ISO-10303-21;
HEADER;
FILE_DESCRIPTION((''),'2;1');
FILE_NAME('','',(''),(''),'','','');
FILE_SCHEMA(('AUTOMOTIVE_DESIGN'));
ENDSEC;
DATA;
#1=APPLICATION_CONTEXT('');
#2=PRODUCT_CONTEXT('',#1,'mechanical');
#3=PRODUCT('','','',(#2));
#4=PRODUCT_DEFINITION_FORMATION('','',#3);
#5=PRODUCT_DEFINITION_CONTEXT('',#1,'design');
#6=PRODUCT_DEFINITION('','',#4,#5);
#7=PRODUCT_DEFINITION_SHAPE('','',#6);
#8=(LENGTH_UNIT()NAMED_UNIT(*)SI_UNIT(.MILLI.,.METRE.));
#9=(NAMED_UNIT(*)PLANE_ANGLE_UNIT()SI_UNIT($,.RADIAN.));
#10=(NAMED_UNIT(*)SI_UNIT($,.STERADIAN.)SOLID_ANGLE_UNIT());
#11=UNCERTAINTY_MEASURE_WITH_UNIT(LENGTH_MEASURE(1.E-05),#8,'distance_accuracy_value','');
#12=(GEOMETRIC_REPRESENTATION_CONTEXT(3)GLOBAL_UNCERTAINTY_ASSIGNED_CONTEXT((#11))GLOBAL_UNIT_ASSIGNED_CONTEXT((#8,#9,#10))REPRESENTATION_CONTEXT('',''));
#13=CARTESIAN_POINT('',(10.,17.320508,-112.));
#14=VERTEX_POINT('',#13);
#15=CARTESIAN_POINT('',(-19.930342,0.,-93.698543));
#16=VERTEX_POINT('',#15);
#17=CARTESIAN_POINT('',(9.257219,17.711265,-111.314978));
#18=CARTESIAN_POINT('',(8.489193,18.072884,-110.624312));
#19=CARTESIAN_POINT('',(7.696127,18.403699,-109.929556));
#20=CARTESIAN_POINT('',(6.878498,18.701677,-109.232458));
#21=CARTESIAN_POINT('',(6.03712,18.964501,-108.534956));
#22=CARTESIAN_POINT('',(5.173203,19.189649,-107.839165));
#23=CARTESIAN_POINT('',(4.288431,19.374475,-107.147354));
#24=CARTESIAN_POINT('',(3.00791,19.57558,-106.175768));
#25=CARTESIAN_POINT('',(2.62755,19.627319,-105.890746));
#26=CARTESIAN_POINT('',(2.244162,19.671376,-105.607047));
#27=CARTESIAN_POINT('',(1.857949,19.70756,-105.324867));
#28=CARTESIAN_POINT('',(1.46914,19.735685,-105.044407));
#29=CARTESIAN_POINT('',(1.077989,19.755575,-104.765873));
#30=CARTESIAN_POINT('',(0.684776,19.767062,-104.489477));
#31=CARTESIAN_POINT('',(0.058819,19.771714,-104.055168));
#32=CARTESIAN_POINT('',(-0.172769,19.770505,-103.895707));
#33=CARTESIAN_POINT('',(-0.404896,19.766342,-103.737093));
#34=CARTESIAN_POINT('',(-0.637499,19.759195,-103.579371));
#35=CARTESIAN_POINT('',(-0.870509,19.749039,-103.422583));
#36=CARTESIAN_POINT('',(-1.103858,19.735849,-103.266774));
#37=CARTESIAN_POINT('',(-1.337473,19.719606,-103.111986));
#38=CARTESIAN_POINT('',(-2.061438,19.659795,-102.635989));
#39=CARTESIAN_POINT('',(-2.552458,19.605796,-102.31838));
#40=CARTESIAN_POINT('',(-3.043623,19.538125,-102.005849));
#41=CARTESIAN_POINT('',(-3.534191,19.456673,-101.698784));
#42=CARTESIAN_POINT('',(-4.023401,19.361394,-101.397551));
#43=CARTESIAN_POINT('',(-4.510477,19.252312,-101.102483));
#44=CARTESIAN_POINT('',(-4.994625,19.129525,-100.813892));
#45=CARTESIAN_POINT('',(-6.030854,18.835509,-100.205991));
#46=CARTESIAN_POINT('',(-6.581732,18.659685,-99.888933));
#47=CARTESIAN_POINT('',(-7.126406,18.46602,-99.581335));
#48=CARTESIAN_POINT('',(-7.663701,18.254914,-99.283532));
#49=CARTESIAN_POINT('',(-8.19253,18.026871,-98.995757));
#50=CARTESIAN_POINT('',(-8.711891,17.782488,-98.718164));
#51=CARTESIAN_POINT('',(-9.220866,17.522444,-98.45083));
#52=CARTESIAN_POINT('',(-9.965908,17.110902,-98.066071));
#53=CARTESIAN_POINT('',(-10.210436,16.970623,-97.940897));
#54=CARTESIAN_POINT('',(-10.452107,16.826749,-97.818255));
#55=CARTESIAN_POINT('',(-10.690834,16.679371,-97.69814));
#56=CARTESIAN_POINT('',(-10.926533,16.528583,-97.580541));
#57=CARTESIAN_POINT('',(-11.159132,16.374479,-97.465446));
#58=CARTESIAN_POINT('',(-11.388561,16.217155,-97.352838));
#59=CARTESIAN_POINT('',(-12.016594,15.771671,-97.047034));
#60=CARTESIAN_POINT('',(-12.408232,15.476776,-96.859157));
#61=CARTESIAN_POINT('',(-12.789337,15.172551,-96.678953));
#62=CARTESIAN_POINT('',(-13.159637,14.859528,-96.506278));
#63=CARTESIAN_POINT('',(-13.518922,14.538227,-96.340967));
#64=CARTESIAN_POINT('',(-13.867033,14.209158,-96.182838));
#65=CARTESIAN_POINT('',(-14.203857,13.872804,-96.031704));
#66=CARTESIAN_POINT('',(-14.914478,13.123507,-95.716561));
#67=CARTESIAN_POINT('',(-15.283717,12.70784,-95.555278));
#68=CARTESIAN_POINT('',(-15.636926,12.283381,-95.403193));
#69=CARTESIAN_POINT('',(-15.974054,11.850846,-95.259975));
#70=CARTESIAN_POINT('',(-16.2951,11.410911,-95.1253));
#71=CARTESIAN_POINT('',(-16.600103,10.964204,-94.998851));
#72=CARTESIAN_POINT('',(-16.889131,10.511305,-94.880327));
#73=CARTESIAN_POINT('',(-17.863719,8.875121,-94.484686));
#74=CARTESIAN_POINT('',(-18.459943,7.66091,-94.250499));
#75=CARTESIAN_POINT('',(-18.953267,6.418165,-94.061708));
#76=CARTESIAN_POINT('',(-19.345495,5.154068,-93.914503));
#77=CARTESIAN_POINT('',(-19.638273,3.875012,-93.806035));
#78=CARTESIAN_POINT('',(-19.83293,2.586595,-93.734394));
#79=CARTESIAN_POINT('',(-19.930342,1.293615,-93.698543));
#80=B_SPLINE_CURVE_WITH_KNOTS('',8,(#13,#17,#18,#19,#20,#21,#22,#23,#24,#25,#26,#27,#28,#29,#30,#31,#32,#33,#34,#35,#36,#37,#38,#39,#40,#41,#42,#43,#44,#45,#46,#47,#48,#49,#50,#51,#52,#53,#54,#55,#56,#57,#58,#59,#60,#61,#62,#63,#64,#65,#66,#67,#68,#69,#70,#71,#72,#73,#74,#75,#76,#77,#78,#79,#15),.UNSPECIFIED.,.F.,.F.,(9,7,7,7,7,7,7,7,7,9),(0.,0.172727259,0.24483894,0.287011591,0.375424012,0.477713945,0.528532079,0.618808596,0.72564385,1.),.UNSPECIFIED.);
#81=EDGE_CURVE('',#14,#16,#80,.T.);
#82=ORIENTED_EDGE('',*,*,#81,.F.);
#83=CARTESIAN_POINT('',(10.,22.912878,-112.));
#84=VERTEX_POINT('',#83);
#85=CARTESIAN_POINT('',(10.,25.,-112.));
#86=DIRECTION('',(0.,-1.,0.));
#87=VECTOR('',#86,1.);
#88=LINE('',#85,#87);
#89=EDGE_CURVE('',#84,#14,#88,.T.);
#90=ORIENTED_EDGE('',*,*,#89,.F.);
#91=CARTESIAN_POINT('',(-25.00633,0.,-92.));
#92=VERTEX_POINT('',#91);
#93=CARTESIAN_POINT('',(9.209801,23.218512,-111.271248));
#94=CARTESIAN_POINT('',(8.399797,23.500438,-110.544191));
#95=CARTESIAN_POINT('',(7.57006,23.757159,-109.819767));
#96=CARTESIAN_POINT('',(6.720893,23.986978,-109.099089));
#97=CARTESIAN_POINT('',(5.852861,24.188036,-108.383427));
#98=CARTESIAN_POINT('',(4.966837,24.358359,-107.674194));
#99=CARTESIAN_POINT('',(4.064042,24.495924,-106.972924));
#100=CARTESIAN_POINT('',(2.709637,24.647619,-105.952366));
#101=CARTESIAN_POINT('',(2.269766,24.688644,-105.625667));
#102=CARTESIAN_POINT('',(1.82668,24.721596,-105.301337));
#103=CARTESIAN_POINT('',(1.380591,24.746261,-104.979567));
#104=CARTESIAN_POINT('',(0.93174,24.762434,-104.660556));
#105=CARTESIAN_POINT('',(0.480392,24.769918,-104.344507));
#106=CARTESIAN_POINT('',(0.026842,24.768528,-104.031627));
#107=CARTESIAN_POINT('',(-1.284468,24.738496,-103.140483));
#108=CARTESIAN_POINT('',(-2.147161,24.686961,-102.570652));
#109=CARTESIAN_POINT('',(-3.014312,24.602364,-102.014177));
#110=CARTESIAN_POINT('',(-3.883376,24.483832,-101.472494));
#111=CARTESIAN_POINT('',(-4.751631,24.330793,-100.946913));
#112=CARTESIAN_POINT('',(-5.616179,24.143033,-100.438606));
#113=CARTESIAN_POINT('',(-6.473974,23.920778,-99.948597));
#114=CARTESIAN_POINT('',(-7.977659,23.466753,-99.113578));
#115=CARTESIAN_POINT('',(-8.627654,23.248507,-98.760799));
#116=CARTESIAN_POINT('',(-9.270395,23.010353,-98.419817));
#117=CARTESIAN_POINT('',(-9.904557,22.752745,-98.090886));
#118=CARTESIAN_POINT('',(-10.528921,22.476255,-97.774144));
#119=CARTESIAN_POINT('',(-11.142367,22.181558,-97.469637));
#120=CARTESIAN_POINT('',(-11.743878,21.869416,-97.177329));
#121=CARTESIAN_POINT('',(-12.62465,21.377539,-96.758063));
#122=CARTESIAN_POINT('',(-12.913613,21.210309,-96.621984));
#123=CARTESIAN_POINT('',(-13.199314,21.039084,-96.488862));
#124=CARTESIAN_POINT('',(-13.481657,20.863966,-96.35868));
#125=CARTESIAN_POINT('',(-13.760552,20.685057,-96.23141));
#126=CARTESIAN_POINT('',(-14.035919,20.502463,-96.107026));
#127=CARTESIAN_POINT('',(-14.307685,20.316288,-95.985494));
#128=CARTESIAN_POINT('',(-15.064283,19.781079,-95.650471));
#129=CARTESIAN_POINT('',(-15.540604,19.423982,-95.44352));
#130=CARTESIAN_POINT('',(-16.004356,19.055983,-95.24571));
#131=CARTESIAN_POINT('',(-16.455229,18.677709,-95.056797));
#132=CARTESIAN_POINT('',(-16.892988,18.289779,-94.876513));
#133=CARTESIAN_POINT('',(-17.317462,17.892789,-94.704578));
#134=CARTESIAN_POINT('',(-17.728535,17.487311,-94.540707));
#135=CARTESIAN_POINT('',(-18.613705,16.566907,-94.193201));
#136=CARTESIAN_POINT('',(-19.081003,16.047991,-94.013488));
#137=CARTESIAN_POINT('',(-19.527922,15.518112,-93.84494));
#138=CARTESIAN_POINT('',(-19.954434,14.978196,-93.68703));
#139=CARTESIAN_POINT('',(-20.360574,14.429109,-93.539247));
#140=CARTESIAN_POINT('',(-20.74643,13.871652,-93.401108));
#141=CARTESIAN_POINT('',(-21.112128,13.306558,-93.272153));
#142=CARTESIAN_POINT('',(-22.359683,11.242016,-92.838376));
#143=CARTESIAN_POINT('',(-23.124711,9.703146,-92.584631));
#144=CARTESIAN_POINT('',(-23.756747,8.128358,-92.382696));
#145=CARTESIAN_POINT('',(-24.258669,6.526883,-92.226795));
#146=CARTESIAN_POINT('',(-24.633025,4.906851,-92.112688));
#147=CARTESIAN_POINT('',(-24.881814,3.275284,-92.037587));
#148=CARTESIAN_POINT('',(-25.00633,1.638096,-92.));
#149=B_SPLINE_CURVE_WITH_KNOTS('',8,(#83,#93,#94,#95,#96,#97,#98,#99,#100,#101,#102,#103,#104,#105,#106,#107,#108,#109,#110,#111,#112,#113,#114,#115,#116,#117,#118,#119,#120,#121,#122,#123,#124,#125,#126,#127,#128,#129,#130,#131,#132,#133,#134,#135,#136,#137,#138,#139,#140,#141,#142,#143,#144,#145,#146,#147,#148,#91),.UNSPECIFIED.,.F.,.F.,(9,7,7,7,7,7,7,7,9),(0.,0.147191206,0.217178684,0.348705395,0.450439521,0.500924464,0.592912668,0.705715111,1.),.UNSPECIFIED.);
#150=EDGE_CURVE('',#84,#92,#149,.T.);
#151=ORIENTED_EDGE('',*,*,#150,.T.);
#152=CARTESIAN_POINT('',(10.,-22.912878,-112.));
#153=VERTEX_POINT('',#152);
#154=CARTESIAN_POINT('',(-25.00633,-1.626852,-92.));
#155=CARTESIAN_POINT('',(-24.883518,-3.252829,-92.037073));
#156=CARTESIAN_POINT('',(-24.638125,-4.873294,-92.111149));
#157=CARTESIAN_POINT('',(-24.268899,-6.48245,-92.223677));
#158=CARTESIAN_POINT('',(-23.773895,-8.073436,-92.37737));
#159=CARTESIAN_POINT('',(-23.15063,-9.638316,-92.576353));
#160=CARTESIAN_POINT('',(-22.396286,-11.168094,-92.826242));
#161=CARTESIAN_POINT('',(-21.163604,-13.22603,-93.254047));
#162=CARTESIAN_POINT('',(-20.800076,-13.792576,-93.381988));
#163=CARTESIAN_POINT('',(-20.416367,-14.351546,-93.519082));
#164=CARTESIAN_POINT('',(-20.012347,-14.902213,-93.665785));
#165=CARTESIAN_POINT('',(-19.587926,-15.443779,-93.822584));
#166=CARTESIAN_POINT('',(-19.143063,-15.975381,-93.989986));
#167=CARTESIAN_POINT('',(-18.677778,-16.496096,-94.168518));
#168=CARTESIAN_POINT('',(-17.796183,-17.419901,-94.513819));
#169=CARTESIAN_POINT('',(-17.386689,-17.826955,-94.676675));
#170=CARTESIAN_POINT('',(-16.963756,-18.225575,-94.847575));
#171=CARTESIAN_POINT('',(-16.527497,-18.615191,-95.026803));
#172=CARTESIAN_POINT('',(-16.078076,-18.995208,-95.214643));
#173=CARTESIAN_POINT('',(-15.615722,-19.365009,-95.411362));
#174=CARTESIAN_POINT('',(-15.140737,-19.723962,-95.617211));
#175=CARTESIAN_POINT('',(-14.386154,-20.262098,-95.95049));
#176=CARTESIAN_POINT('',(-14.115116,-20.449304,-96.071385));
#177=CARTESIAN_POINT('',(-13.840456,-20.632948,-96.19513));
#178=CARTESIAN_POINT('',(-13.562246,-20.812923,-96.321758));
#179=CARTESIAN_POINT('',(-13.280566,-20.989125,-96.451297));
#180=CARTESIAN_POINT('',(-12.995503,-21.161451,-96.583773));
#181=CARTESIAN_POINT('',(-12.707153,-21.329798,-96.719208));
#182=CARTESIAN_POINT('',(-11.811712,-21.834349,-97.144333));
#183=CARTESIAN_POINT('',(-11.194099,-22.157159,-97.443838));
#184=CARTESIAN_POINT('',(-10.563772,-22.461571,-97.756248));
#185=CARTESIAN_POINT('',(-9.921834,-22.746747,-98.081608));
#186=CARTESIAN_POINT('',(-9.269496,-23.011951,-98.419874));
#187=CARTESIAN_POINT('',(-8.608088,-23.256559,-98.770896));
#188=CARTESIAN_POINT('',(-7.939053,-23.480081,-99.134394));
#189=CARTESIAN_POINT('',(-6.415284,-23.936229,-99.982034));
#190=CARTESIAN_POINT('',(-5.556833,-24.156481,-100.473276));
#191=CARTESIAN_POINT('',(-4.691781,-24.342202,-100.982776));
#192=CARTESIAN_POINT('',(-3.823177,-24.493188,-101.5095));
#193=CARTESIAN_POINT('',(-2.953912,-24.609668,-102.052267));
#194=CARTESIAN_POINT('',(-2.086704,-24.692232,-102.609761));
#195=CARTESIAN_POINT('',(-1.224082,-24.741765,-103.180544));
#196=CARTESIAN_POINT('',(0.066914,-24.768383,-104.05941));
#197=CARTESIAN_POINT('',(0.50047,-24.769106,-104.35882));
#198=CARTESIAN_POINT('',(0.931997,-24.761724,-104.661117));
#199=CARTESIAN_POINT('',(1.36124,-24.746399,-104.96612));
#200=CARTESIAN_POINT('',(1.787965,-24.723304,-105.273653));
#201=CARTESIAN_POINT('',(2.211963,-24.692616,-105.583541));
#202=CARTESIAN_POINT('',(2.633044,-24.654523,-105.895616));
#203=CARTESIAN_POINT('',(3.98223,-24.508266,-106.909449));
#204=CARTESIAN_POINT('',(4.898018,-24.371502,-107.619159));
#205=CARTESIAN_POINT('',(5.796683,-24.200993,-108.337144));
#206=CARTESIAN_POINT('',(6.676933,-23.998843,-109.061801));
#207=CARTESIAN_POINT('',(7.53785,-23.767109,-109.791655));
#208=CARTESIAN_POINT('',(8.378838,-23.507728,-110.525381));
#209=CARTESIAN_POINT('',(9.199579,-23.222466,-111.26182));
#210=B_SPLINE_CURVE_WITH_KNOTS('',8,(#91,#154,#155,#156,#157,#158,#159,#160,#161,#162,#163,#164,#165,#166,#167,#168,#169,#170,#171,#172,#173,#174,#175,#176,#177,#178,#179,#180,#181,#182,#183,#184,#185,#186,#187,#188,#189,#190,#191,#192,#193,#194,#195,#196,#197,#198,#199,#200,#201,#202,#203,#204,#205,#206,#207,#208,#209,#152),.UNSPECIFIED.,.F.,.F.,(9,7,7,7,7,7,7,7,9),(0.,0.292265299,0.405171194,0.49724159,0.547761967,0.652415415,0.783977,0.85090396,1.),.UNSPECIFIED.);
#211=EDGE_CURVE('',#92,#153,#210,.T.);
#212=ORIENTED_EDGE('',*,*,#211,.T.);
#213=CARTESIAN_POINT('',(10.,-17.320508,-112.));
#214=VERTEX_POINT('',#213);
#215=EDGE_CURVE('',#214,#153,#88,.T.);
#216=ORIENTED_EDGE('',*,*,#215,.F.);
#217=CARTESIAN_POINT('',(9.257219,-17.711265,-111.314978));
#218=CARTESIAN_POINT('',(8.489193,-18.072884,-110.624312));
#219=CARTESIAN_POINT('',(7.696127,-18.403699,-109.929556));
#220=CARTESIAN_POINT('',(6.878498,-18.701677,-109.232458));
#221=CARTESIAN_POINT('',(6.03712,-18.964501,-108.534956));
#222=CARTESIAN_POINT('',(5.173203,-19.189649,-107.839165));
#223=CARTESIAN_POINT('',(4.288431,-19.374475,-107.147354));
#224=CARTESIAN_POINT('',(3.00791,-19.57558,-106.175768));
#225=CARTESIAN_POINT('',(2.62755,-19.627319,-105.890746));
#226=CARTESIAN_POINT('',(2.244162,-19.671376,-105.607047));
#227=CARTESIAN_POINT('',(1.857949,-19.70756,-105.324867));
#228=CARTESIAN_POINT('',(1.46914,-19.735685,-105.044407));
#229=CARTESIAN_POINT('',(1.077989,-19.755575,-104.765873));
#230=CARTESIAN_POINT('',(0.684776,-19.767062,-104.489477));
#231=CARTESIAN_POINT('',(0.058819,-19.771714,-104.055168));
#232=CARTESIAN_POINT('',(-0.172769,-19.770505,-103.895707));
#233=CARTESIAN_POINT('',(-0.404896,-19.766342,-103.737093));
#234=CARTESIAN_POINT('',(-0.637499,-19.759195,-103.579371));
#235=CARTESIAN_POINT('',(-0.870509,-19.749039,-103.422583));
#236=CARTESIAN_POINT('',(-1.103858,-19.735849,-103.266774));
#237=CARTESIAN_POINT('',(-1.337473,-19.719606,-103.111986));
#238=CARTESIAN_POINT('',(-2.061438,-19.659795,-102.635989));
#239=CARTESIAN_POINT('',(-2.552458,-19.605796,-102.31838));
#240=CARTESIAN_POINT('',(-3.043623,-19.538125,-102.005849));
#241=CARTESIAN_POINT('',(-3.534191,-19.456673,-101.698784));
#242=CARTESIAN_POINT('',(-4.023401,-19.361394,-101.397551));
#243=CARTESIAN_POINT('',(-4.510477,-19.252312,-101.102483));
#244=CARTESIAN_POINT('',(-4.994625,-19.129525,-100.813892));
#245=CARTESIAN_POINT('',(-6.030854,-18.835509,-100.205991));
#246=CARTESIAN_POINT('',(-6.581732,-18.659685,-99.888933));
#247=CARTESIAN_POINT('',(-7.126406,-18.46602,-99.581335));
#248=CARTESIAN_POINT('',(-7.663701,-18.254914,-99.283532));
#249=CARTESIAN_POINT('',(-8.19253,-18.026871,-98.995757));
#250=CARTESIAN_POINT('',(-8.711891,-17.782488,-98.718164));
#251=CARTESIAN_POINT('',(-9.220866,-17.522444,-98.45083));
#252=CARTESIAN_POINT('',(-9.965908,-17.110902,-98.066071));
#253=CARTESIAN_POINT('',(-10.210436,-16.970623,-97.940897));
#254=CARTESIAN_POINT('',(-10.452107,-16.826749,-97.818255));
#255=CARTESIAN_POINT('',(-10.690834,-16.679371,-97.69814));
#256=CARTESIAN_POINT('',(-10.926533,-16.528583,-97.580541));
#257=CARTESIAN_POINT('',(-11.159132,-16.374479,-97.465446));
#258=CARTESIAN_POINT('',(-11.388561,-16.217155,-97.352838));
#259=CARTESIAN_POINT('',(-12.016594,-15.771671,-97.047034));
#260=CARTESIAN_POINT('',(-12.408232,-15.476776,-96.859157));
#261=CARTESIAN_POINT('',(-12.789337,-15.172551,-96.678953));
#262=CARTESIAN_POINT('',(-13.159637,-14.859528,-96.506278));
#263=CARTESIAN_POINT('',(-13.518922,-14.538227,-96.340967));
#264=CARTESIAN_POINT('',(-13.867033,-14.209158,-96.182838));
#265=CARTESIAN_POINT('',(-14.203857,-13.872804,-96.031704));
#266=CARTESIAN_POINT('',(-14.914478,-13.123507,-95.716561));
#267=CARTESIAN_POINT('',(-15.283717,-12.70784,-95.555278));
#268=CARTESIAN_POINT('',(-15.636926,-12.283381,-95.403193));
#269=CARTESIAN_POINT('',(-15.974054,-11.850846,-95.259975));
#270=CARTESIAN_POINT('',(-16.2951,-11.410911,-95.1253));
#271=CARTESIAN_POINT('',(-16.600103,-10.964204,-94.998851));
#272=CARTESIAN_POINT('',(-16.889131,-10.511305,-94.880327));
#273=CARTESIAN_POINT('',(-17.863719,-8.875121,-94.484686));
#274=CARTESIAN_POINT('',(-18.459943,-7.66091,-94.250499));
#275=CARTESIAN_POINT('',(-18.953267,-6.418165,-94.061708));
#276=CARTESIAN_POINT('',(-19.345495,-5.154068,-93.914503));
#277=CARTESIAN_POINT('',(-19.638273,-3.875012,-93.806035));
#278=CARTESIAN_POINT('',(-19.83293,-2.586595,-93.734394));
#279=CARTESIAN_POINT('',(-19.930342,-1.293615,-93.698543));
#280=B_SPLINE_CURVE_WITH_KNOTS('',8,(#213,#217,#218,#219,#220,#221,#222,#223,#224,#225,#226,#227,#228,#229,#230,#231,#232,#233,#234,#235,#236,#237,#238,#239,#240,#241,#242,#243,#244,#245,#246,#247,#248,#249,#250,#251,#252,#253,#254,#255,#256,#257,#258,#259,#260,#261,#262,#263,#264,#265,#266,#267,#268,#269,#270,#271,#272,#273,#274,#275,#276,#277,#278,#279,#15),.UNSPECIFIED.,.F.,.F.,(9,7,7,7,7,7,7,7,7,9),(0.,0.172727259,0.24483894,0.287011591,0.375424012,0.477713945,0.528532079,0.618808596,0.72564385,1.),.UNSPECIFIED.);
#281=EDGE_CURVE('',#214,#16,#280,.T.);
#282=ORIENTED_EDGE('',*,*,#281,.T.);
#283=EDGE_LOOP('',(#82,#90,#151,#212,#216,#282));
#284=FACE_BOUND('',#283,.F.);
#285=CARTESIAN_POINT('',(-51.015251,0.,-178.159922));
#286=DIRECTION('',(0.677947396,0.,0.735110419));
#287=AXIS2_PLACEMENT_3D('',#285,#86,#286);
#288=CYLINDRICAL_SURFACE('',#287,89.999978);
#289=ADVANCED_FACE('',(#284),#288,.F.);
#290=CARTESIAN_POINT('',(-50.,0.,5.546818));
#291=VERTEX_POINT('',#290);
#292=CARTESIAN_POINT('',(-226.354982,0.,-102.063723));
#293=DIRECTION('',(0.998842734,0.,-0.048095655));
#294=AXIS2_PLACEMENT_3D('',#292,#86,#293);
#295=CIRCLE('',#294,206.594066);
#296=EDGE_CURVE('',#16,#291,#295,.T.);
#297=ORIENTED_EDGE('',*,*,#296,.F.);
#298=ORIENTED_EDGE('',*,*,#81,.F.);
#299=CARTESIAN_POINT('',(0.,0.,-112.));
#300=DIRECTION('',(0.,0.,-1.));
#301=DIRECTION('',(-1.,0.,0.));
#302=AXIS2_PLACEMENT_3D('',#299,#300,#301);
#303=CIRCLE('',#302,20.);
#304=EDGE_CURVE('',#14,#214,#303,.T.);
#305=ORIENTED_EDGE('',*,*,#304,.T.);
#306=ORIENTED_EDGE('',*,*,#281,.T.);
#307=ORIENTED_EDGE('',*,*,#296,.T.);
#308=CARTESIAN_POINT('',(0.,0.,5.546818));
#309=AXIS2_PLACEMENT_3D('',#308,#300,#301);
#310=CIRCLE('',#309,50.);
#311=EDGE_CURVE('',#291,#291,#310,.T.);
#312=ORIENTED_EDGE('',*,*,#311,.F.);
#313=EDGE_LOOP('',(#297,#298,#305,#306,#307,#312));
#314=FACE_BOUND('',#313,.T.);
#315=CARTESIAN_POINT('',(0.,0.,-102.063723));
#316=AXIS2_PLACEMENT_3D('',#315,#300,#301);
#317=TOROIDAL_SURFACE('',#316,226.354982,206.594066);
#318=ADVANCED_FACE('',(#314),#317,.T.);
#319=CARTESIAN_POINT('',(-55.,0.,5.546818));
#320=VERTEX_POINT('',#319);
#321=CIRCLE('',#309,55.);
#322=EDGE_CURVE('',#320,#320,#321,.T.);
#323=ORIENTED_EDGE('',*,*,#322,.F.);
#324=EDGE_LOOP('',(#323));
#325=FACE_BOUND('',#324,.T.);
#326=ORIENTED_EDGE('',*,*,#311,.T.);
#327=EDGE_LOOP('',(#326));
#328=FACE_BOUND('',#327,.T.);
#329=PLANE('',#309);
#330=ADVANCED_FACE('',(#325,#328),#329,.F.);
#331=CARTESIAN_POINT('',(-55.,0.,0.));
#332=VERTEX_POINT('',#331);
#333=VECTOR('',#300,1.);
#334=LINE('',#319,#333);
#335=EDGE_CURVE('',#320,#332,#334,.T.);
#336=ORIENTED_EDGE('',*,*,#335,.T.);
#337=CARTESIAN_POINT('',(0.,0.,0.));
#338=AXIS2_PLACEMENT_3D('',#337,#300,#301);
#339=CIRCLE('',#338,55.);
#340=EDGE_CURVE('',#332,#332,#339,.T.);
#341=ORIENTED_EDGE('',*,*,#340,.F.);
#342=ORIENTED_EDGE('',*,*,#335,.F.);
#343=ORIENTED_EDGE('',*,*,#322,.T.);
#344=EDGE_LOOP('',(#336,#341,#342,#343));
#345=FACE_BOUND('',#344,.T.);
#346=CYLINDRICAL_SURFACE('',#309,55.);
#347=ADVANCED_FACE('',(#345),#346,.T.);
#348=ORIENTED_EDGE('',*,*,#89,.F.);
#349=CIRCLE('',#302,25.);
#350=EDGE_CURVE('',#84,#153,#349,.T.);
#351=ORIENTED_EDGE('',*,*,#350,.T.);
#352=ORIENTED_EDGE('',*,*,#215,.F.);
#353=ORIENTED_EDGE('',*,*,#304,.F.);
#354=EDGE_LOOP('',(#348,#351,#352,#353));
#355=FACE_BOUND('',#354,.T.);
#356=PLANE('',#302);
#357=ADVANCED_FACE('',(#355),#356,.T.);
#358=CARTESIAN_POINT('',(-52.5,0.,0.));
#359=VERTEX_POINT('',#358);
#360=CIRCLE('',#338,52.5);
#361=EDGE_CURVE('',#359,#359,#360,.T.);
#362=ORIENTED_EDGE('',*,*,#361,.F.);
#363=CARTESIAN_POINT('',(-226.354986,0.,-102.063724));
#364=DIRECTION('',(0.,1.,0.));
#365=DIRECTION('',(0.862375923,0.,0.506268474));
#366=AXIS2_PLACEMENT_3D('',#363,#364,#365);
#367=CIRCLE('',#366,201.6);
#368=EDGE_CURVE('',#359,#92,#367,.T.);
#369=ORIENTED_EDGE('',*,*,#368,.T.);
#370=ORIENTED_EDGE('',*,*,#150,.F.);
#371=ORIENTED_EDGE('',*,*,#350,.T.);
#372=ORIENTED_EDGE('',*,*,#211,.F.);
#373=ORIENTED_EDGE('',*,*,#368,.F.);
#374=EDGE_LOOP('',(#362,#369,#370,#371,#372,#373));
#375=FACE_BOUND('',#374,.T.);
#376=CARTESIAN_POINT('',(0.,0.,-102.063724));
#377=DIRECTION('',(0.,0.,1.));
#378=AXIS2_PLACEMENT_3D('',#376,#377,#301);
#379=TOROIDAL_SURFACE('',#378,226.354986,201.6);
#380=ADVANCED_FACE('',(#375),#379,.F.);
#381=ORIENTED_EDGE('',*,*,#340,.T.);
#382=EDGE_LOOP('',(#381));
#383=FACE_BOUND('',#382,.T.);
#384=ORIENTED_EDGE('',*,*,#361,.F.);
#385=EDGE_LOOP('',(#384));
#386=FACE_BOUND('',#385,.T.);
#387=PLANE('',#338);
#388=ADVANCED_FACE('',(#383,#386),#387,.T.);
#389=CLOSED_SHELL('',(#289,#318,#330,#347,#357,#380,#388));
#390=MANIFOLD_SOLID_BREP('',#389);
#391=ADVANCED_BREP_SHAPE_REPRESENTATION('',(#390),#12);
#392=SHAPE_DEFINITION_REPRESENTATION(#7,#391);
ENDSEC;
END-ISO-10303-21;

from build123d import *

# Parameters (mm, degrees)
F3_DEPTH = 25


with BuildPart() as f1:
    # F0 (on Front) → F1 (revolve)
    with BuildSketch(Plane.XZ):
        with BuildLine():
            ThreePointArc((-20, -112), (-26.177454, -50.974923), (-50, 5.546818))
            Line((-50, 5.546818), (-55, 5.546818))
            Line((-55, 5.546818), (-55, 0))
            Line((-55, 0), (-52.5, 0))
            ThreePointArc((-52.5, 0), (-30.570332, -53.991599), (-25, -112))
            Line((-25, -112), (-20, -112))
        make_face()
    revolve(axis=Axis((0, 0, -39.086943), (0, 0, -1)))

    # F2 (on Front) → F3 (cut, symmetric)
    with BuildSketch(Plane.XZ):
        with BuildLine():
            Line((-25, -112), (10, -112))
            ThreePointArc((10, -112), (-6.368844, -100.01458), (-25.00633, -92))
            Line((-25.00633, -92), (-25, -112))
        make_face()
    extrude(amount=F3_DEPTH, both=True, mode=Mode.SUBTRACT)


solid = f1.part
